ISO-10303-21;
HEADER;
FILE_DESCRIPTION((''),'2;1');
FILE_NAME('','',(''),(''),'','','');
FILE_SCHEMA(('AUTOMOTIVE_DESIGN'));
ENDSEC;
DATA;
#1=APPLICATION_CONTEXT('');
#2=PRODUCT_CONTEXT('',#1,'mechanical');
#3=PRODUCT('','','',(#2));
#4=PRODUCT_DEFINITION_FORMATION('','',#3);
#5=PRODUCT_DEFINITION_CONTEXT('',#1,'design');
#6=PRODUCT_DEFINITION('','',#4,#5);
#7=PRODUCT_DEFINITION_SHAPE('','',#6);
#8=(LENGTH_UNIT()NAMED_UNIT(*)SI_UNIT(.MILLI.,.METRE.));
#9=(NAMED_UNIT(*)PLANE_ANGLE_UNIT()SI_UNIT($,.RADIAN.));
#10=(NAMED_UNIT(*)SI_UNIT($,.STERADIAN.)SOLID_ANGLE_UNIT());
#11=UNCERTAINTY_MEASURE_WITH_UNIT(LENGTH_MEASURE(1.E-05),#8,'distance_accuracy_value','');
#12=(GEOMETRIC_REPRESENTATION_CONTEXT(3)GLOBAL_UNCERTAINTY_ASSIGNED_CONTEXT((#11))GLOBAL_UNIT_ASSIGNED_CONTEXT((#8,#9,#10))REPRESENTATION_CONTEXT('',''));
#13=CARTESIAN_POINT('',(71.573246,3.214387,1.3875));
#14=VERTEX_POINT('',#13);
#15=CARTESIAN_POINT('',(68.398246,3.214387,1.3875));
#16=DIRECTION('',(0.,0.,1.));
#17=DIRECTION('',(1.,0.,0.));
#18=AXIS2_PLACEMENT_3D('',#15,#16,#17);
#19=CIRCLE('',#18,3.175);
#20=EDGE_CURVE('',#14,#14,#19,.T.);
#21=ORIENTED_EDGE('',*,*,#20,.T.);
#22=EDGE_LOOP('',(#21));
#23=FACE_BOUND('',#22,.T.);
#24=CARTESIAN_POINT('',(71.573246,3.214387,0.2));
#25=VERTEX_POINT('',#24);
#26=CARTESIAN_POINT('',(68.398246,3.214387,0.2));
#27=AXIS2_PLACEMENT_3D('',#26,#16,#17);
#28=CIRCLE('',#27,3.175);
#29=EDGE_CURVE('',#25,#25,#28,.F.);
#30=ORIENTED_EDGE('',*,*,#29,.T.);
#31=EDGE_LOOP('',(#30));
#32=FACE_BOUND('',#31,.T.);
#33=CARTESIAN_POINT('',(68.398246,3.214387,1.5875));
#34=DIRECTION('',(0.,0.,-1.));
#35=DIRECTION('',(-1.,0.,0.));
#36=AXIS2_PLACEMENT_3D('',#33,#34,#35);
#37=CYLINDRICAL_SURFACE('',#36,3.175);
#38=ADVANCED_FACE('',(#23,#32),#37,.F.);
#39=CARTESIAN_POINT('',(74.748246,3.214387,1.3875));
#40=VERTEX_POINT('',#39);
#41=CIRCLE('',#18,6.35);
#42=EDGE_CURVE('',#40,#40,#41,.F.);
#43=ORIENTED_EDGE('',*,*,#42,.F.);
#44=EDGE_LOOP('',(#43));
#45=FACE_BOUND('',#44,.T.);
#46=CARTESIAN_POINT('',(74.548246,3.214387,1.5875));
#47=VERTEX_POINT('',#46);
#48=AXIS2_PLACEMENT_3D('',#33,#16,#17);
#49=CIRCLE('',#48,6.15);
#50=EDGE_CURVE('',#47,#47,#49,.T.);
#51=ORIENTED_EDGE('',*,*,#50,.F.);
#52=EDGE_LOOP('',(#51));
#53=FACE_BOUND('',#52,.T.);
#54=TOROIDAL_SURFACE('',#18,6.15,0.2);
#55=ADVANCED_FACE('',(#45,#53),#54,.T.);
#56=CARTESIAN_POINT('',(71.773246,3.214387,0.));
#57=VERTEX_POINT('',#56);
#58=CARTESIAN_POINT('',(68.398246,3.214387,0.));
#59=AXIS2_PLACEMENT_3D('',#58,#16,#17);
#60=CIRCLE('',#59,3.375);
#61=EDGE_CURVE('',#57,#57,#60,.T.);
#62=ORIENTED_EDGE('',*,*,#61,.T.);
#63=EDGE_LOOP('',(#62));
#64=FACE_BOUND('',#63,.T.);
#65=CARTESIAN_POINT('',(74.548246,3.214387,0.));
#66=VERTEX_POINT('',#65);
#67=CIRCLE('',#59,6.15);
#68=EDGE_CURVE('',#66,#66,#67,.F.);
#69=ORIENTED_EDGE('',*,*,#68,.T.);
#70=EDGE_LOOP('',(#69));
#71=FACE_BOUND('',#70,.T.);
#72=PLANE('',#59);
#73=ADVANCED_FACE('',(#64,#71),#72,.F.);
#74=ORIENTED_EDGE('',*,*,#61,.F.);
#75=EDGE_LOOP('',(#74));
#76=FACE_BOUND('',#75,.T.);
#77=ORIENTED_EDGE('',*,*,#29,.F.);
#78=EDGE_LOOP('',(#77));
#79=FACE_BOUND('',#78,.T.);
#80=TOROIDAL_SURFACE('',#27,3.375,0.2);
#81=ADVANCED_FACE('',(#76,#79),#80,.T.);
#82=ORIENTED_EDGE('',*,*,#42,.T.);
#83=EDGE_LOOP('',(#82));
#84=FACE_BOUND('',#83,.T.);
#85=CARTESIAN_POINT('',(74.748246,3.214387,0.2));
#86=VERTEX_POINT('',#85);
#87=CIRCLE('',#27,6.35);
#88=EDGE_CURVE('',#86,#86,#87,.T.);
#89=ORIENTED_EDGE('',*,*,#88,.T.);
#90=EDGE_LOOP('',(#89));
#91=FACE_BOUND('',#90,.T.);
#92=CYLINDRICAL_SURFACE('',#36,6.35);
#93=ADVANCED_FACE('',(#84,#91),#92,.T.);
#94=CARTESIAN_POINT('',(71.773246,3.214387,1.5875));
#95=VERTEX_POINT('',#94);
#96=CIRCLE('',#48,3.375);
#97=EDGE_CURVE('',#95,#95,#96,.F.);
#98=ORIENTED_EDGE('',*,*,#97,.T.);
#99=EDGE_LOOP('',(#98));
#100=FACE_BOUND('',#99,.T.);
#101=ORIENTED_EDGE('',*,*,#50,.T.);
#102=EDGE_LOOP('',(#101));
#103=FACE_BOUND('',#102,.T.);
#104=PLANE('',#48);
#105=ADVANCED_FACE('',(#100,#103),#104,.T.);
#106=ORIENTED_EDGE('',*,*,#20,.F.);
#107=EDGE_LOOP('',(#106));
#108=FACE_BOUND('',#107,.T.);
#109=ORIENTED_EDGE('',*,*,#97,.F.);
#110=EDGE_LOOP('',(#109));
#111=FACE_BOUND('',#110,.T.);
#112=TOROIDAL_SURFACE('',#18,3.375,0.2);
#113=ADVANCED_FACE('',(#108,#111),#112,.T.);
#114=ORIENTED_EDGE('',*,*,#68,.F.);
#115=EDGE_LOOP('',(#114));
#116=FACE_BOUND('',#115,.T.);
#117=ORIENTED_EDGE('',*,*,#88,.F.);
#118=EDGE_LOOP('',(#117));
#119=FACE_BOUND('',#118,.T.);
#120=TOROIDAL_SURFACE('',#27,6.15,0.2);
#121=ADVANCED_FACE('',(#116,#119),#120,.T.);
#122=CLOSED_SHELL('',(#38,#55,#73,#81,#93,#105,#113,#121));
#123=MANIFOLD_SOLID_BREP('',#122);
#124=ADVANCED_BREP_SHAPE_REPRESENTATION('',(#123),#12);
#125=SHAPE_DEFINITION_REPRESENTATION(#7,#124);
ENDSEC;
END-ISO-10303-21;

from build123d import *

# Parameters (mm, degrees)
SKETCH1_R           = 6.35
BOSS_EXTRUDE1_DEPTH = 1.5875
SKETCH2_R           = 3.175
CUT_EXTRUDE1_DEPTH  = 76.374385622
FILLET1_R           = 0.2


with BuildPart() as part:
    # Sketch1 → Boss-Extrude1 (new body)
    with BuildSketch(Plane.XY):
        with Locations((68.398246491, 3.214386977)):
            Circle(SKETCH1_R)
    extrude(amount=BOSS_EXTRUDE1_DEPTH)

    # Sketch2 → Cut-Extrude1 (cut, through all)
    with BuildSketch(Plane(origin=(0, 0, 0), x_dir=(-1, 0, 0), z_dir=(0, 0, -1))):
        with Locations((-68.398246491, 3.214386977)):
            Circle(SKETCH2_R)
    extrude(amount=-CUT_EXTRUDE1_DEPTH, mode=Mode.SUBTRACT)

    # Fillet1
    fillet1_edges = [part.edges().sort_by_distance(p)[0] for p in [
        (62.048246491, 3.214386977, 0),
        (62.048246491, 3.214386977, 1.5875),
        (71.573246491, 3.214386977, 1.5875),
        (71.573246491, 3.214386977, 0),
    ]]
    fillet(fillet1_edges, radius=FILLET1_R)


solid = part.part
